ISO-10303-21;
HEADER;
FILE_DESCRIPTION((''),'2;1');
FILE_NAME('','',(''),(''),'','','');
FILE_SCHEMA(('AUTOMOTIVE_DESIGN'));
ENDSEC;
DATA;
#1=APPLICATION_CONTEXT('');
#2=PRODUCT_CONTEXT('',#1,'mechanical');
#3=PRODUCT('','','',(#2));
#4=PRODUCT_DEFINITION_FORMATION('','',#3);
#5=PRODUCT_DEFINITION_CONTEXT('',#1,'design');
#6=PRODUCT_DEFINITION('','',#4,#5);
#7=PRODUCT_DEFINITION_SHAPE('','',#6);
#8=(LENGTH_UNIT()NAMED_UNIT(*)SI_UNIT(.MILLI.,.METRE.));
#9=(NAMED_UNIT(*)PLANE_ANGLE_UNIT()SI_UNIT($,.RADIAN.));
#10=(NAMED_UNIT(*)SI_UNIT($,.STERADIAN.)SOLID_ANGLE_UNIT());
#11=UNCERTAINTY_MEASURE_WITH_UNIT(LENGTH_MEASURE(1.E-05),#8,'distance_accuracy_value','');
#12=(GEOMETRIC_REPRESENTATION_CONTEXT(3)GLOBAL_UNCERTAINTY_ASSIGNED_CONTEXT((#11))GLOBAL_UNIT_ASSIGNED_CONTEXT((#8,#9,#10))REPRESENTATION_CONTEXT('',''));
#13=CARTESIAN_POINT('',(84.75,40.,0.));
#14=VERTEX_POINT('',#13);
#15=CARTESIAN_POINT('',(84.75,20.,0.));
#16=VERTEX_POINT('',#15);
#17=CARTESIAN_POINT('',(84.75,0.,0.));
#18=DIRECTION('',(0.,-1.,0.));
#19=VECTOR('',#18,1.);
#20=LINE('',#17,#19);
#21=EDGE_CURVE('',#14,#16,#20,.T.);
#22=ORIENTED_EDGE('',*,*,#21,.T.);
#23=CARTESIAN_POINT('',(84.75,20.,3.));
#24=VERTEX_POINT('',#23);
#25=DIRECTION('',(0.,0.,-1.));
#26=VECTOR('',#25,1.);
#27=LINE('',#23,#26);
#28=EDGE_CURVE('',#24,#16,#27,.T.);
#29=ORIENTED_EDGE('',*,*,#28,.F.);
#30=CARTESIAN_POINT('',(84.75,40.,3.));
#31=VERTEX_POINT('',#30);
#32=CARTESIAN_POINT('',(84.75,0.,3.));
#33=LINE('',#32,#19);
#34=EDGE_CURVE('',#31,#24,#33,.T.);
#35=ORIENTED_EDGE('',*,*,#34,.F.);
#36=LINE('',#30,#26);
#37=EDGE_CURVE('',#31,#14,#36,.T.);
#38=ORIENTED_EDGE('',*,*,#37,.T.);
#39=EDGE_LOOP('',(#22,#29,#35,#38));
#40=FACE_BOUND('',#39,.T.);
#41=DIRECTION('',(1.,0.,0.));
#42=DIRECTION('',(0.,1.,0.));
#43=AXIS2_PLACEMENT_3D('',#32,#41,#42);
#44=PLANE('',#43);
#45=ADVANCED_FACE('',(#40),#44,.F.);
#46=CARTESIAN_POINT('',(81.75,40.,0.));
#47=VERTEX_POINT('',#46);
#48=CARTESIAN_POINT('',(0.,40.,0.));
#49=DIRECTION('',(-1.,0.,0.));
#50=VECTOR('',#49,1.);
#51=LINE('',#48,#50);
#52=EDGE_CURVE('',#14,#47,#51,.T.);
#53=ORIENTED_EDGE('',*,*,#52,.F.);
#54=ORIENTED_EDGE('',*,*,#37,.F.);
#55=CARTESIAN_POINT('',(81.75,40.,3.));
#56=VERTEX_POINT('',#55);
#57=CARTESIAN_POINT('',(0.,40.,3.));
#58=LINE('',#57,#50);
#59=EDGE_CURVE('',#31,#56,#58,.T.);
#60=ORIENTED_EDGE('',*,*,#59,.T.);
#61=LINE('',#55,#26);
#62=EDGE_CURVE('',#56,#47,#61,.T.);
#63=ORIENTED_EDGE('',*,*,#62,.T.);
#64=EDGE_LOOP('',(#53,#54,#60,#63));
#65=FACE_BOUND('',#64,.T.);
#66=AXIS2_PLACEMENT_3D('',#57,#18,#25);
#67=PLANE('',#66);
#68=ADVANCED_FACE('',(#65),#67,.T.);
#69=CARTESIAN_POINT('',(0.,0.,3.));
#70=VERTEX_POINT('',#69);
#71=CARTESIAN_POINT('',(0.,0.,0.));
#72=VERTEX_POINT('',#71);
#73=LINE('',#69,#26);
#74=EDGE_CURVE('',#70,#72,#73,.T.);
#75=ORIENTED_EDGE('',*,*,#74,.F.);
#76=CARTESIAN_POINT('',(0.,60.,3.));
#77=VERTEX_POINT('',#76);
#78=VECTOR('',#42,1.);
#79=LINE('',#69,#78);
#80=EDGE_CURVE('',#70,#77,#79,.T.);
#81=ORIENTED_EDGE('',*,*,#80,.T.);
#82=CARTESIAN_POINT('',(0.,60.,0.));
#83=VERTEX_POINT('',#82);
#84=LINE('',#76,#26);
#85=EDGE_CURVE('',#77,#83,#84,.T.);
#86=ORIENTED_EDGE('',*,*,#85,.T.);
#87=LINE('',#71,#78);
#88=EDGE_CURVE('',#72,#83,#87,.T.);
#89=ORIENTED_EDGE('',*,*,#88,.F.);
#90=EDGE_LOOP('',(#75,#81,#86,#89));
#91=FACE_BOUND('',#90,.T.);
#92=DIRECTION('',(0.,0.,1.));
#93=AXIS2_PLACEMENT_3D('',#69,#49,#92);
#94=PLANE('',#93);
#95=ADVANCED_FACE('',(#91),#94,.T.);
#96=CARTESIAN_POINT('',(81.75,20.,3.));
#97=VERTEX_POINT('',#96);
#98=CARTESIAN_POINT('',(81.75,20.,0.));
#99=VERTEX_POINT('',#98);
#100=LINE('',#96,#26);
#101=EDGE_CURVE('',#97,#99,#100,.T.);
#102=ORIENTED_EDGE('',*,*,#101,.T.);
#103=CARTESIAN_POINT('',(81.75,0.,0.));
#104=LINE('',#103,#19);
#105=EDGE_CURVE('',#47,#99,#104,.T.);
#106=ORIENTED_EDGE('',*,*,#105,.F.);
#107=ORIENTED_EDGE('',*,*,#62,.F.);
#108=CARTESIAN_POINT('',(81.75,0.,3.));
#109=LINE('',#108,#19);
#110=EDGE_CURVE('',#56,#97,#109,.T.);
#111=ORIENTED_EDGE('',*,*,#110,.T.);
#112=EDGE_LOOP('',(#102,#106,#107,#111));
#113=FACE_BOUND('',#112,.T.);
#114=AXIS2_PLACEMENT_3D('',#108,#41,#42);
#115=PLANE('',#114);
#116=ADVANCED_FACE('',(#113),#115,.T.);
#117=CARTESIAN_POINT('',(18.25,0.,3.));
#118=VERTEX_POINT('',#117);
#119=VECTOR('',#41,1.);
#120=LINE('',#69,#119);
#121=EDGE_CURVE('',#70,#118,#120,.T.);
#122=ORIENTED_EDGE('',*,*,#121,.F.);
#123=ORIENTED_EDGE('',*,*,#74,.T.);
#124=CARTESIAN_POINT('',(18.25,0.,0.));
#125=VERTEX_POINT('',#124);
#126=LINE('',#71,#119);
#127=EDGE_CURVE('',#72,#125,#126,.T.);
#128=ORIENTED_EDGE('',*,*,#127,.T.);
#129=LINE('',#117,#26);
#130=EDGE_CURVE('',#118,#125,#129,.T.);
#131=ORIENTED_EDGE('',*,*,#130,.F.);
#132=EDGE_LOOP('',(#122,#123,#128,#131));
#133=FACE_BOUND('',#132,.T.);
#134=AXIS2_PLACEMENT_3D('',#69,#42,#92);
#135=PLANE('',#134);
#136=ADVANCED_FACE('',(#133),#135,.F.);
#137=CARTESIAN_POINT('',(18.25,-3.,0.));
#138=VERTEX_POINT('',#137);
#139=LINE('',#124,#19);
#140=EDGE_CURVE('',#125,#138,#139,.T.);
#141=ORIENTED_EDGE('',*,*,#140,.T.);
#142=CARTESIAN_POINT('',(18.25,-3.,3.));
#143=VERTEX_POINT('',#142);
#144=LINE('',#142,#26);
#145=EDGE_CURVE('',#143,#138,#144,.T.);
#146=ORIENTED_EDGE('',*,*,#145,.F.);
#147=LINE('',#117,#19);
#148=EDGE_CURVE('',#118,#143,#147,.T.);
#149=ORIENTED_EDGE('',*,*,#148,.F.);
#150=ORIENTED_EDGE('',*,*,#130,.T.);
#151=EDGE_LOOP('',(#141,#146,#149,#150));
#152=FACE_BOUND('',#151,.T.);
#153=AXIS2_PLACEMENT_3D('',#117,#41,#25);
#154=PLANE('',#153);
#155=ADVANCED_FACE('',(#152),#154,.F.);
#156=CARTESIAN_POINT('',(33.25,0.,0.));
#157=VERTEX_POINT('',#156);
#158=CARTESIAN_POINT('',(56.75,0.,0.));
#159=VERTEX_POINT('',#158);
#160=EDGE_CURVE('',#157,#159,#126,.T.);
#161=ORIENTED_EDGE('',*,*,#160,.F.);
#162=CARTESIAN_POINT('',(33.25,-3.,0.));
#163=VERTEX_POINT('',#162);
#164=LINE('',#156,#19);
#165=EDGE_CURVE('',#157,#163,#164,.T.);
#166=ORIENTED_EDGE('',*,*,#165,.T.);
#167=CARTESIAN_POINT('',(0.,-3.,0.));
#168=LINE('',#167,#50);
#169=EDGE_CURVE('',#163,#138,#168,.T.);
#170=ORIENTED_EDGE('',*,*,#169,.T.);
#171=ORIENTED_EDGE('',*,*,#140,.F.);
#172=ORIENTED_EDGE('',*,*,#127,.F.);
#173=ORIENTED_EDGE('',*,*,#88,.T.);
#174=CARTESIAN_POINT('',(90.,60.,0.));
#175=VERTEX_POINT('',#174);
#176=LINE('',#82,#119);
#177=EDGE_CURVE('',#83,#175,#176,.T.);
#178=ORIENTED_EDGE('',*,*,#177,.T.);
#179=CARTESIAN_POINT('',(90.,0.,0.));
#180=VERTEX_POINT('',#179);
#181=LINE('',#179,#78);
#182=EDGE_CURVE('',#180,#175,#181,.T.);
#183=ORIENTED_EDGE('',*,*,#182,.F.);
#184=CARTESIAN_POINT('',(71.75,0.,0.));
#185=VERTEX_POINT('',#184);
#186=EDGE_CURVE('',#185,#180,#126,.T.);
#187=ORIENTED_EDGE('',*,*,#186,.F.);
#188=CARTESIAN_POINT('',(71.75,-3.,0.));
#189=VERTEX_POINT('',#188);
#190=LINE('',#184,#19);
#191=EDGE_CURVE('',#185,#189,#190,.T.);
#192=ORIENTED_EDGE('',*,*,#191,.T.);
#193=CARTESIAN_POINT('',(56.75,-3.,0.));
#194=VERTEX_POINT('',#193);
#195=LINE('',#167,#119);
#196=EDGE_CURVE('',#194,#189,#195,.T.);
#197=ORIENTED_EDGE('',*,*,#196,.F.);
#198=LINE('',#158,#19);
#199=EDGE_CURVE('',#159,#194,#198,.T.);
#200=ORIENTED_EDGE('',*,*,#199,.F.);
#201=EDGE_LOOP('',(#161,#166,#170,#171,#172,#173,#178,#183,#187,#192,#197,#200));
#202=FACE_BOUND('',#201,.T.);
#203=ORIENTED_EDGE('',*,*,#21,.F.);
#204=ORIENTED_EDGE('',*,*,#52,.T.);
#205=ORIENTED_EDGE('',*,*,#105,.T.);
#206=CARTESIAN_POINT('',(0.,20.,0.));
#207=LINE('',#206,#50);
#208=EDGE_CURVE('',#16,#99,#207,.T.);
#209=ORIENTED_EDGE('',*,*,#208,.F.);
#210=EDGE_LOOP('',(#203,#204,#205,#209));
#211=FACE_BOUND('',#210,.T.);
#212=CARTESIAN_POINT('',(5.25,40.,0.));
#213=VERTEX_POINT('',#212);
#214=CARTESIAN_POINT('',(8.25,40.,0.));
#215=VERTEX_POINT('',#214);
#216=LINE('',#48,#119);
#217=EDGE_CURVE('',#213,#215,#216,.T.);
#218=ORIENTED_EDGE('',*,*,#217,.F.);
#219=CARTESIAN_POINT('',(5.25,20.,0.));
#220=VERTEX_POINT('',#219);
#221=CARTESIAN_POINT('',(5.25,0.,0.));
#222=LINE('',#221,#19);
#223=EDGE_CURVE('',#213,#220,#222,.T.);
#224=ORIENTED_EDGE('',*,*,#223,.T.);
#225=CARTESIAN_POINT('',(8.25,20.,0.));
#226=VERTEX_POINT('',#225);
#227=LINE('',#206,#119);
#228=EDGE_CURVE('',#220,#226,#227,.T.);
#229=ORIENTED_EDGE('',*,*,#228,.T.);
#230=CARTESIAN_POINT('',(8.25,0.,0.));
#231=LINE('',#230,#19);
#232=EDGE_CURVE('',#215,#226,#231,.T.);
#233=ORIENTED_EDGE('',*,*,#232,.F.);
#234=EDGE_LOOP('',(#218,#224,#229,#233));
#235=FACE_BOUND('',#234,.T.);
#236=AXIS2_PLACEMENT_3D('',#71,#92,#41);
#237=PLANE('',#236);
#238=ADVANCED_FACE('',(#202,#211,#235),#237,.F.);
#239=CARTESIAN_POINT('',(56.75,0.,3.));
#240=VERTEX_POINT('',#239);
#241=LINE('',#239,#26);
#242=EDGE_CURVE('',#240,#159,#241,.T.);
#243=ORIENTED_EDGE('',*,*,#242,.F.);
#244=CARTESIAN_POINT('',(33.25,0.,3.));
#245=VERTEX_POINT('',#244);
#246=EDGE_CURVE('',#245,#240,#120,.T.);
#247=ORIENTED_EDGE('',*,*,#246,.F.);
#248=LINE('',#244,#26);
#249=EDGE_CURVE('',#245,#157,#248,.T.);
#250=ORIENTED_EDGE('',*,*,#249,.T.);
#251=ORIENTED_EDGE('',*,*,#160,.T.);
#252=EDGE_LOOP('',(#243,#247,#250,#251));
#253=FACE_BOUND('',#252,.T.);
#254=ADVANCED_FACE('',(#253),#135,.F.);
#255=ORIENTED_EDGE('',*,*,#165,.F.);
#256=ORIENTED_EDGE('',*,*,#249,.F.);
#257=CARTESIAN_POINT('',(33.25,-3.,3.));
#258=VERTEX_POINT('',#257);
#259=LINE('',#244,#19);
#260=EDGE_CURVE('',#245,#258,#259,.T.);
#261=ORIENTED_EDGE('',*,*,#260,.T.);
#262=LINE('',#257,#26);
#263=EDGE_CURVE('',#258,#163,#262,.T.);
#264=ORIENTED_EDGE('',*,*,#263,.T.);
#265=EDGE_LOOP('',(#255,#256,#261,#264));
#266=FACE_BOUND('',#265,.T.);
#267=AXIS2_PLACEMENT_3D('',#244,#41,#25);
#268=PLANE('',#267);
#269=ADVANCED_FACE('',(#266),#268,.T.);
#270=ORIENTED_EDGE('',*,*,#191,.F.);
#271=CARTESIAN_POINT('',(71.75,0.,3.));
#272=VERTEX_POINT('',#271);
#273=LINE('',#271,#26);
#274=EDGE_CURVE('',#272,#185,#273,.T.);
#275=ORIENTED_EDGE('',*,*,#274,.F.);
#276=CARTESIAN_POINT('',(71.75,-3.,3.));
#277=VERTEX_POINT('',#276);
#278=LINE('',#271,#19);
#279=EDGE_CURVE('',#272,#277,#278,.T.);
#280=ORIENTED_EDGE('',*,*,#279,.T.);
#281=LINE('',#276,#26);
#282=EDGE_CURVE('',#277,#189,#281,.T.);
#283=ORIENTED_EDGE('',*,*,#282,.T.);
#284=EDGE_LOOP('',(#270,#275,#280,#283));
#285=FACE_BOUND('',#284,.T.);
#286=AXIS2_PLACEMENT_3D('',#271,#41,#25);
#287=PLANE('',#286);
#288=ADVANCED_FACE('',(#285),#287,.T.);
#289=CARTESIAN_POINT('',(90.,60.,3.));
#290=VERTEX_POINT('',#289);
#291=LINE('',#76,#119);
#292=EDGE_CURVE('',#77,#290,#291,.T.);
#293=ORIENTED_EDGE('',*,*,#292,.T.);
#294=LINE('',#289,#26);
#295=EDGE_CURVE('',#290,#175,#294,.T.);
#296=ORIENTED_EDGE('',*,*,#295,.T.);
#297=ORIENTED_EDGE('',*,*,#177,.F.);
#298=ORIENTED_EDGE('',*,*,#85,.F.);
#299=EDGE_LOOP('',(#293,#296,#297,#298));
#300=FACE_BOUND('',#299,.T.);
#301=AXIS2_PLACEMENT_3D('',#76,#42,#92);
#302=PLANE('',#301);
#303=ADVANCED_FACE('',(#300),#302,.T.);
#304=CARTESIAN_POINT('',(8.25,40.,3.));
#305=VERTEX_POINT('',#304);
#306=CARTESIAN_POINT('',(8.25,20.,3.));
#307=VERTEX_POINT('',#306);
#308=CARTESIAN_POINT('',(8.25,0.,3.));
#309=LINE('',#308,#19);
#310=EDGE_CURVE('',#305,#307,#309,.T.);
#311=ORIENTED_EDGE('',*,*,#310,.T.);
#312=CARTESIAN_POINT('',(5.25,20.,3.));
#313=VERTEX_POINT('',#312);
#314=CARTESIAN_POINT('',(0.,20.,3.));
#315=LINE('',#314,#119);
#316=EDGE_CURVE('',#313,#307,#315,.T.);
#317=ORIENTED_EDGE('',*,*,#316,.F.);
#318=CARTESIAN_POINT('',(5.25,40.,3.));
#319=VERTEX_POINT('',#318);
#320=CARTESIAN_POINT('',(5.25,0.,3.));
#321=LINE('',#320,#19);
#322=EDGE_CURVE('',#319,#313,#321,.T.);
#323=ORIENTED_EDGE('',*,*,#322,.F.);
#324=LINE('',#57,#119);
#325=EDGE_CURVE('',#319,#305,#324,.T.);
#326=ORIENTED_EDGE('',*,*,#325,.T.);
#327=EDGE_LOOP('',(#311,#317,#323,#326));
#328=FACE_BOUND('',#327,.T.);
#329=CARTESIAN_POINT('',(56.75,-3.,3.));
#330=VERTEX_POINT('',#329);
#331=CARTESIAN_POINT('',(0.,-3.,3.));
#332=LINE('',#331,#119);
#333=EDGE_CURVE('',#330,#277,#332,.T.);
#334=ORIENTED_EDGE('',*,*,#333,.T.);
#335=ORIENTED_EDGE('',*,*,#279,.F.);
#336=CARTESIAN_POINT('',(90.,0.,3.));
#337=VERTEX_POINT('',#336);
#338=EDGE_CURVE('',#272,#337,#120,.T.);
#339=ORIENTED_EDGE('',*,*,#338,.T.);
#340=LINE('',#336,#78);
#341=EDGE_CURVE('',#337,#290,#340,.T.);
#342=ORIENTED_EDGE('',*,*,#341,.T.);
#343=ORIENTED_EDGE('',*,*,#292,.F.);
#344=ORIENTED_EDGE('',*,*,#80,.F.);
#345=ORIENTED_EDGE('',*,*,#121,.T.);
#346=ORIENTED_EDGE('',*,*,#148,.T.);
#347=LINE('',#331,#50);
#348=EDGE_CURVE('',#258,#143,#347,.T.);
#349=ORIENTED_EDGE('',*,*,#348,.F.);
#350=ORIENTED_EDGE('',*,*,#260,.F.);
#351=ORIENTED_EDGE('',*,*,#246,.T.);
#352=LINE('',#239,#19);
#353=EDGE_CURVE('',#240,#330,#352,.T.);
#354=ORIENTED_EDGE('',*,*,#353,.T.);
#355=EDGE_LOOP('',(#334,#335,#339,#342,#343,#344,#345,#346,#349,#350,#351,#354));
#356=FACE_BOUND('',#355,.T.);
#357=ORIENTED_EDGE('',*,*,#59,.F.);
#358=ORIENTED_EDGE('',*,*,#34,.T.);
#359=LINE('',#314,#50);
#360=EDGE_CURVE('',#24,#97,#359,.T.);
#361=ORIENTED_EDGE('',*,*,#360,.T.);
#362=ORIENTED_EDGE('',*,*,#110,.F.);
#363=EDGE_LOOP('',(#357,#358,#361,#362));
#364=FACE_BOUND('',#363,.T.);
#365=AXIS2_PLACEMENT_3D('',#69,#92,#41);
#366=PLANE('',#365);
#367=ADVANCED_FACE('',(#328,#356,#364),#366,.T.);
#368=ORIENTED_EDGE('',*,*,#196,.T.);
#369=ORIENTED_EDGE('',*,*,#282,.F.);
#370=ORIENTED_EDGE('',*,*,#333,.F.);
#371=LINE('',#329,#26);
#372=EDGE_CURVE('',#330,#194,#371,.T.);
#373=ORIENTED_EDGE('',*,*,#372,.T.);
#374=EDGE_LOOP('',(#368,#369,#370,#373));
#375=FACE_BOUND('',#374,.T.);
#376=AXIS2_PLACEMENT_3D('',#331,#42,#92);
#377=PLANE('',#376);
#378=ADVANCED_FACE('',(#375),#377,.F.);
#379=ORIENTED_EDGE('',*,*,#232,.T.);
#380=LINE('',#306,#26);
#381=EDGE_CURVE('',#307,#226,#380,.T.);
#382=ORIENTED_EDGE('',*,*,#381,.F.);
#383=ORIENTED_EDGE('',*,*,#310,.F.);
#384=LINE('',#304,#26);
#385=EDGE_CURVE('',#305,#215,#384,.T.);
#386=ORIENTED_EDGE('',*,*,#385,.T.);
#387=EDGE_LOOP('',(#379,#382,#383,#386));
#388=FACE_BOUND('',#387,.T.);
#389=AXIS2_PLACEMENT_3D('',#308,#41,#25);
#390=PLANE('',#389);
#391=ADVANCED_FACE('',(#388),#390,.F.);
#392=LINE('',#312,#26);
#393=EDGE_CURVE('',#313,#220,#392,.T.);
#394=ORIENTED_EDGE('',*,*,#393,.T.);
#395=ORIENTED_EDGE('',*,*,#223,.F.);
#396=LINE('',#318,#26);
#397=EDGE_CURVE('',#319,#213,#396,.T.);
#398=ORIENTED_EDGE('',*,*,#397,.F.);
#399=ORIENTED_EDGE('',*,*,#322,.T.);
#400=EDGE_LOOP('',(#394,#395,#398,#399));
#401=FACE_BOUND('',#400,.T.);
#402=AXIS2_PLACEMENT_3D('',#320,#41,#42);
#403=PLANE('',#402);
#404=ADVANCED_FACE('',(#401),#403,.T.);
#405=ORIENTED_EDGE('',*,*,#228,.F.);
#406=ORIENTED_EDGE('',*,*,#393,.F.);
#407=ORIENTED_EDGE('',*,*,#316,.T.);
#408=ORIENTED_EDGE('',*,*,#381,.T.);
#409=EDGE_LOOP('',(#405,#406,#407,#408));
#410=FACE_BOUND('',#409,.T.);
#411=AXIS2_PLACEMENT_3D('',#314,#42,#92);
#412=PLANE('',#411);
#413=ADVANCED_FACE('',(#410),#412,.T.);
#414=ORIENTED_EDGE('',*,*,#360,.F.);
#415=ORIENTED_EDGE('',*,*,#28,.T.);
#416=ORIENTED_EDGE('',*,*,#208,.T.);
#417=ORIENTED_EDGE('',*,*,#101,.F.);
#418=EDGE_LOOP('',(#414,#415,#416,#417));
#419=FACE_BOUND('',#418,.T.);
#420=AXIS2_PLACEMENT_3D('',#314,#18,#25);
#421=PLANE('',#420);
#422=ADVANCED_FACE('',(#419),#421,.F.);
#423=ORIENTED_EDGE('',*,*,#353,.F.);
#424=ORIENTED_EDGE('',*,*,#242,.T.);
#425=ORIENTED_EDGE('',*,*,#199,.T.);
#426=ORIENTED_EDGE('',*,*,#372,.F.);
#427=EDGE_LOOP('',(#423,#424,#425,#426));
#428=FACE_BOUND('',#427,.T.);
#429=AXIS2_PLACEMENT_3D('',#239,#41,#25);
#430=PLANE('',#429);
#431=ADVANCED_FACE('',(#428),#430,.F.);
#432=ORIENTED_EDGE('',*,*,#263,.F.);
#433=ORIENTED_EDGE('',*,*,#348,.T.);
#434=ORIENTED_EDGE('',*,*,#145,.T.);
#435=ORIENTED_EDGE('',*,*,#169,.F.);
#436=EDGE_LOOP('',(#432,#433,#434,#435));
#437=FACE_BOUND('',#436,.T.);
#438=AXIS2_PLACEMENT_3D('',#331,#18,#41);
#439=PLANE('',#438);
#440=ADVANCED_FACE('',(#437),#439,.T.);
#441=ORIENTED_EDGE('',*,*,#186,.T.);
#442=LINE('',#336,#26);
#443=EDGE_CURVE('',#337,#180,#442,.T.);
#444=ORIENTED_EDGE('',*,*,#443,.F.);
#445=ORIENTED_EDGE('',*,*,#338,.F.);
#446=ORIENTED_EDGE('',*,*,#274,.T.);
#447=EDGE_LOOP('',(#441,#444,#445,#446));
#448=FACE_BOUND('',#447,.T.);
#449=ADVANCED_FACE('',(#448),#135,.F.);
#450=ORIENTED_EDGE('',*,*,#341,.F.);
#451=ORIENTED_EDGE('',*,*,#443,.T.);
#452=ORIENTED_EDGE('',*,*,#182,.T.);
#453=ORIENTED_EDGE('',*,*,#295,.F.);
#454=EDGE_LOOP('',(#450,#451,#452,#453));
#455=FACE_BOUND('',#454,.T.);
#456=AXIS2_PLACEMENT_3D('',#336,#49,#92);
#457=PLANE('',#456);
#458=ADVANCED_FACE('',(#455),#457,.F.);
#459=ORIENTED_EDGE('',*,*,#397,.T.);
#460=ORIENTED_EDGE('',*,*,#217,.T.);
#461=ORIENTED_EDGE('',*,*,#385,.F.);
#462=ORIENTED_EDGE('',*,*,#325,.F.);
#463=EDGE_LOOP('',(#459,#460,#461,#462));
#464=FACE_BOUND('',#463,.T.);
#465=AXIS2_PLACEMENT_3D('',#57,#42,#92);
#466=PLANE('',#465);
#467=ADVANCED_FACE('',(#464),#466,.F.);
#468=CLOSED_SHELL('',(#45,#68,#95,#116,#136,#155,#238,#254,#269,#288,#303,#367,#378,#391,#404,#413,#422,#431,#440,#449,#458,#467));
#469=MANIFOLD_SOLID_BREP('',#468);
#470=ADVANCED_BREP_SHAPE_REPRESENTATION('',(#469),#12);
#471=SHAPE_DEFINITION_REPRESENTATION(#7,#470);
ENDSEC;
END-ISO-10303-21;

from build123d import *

# Parameters (mm, degrees)
SKETCH_1_W      = 90
SKETCH_1_H      = 60
SKETCH_1_W_2    = 3
SKETCH_1_H_2    = 20
SKETCH_1_W_3    = 15
SKETCH_1_H_3    = 3
EXTRUDE_1_DEPTH = 3


with BuildPart() as part:
    # 草图1 → 凸台-拉伸1 (new body)
    # profile 1 of 3: a face of its own
    with BuildSketch(Plane.XY):
        with Locations((45, 30)):
            Rectangle(SKETCH_1_W, SKETCH_1_H)
        with Locations((83.25, 30)):
            Rectangle(SKETCH_1_W_2, SKETCH_1_H_2, mode=Mode.SUBTRACT)
        with Locations((6.75, 30)):
            Rectangle(SKETCH_1_W_2, SKETCH_1_H_2, mode=Mode.SUBTRACT)
    # profile 2 of 3: a face of its own
    with BuildSketch(Plane.XY):
        with Locations((25.75, -1.5)):
            Rectangle(SKETCH_1_W_3, SKETCH_1_H_3)
    # profile 3 of 3: a face of its own
    with BuildSketch(Plane.XY):
        with Locations((64.25, -1.5)):
            Rectangle(SKETCH_1_W_3, SKETCH_1_H_3)
    extrude(amount=EXTRUDE_1_DEPTH)


solid = part.part
